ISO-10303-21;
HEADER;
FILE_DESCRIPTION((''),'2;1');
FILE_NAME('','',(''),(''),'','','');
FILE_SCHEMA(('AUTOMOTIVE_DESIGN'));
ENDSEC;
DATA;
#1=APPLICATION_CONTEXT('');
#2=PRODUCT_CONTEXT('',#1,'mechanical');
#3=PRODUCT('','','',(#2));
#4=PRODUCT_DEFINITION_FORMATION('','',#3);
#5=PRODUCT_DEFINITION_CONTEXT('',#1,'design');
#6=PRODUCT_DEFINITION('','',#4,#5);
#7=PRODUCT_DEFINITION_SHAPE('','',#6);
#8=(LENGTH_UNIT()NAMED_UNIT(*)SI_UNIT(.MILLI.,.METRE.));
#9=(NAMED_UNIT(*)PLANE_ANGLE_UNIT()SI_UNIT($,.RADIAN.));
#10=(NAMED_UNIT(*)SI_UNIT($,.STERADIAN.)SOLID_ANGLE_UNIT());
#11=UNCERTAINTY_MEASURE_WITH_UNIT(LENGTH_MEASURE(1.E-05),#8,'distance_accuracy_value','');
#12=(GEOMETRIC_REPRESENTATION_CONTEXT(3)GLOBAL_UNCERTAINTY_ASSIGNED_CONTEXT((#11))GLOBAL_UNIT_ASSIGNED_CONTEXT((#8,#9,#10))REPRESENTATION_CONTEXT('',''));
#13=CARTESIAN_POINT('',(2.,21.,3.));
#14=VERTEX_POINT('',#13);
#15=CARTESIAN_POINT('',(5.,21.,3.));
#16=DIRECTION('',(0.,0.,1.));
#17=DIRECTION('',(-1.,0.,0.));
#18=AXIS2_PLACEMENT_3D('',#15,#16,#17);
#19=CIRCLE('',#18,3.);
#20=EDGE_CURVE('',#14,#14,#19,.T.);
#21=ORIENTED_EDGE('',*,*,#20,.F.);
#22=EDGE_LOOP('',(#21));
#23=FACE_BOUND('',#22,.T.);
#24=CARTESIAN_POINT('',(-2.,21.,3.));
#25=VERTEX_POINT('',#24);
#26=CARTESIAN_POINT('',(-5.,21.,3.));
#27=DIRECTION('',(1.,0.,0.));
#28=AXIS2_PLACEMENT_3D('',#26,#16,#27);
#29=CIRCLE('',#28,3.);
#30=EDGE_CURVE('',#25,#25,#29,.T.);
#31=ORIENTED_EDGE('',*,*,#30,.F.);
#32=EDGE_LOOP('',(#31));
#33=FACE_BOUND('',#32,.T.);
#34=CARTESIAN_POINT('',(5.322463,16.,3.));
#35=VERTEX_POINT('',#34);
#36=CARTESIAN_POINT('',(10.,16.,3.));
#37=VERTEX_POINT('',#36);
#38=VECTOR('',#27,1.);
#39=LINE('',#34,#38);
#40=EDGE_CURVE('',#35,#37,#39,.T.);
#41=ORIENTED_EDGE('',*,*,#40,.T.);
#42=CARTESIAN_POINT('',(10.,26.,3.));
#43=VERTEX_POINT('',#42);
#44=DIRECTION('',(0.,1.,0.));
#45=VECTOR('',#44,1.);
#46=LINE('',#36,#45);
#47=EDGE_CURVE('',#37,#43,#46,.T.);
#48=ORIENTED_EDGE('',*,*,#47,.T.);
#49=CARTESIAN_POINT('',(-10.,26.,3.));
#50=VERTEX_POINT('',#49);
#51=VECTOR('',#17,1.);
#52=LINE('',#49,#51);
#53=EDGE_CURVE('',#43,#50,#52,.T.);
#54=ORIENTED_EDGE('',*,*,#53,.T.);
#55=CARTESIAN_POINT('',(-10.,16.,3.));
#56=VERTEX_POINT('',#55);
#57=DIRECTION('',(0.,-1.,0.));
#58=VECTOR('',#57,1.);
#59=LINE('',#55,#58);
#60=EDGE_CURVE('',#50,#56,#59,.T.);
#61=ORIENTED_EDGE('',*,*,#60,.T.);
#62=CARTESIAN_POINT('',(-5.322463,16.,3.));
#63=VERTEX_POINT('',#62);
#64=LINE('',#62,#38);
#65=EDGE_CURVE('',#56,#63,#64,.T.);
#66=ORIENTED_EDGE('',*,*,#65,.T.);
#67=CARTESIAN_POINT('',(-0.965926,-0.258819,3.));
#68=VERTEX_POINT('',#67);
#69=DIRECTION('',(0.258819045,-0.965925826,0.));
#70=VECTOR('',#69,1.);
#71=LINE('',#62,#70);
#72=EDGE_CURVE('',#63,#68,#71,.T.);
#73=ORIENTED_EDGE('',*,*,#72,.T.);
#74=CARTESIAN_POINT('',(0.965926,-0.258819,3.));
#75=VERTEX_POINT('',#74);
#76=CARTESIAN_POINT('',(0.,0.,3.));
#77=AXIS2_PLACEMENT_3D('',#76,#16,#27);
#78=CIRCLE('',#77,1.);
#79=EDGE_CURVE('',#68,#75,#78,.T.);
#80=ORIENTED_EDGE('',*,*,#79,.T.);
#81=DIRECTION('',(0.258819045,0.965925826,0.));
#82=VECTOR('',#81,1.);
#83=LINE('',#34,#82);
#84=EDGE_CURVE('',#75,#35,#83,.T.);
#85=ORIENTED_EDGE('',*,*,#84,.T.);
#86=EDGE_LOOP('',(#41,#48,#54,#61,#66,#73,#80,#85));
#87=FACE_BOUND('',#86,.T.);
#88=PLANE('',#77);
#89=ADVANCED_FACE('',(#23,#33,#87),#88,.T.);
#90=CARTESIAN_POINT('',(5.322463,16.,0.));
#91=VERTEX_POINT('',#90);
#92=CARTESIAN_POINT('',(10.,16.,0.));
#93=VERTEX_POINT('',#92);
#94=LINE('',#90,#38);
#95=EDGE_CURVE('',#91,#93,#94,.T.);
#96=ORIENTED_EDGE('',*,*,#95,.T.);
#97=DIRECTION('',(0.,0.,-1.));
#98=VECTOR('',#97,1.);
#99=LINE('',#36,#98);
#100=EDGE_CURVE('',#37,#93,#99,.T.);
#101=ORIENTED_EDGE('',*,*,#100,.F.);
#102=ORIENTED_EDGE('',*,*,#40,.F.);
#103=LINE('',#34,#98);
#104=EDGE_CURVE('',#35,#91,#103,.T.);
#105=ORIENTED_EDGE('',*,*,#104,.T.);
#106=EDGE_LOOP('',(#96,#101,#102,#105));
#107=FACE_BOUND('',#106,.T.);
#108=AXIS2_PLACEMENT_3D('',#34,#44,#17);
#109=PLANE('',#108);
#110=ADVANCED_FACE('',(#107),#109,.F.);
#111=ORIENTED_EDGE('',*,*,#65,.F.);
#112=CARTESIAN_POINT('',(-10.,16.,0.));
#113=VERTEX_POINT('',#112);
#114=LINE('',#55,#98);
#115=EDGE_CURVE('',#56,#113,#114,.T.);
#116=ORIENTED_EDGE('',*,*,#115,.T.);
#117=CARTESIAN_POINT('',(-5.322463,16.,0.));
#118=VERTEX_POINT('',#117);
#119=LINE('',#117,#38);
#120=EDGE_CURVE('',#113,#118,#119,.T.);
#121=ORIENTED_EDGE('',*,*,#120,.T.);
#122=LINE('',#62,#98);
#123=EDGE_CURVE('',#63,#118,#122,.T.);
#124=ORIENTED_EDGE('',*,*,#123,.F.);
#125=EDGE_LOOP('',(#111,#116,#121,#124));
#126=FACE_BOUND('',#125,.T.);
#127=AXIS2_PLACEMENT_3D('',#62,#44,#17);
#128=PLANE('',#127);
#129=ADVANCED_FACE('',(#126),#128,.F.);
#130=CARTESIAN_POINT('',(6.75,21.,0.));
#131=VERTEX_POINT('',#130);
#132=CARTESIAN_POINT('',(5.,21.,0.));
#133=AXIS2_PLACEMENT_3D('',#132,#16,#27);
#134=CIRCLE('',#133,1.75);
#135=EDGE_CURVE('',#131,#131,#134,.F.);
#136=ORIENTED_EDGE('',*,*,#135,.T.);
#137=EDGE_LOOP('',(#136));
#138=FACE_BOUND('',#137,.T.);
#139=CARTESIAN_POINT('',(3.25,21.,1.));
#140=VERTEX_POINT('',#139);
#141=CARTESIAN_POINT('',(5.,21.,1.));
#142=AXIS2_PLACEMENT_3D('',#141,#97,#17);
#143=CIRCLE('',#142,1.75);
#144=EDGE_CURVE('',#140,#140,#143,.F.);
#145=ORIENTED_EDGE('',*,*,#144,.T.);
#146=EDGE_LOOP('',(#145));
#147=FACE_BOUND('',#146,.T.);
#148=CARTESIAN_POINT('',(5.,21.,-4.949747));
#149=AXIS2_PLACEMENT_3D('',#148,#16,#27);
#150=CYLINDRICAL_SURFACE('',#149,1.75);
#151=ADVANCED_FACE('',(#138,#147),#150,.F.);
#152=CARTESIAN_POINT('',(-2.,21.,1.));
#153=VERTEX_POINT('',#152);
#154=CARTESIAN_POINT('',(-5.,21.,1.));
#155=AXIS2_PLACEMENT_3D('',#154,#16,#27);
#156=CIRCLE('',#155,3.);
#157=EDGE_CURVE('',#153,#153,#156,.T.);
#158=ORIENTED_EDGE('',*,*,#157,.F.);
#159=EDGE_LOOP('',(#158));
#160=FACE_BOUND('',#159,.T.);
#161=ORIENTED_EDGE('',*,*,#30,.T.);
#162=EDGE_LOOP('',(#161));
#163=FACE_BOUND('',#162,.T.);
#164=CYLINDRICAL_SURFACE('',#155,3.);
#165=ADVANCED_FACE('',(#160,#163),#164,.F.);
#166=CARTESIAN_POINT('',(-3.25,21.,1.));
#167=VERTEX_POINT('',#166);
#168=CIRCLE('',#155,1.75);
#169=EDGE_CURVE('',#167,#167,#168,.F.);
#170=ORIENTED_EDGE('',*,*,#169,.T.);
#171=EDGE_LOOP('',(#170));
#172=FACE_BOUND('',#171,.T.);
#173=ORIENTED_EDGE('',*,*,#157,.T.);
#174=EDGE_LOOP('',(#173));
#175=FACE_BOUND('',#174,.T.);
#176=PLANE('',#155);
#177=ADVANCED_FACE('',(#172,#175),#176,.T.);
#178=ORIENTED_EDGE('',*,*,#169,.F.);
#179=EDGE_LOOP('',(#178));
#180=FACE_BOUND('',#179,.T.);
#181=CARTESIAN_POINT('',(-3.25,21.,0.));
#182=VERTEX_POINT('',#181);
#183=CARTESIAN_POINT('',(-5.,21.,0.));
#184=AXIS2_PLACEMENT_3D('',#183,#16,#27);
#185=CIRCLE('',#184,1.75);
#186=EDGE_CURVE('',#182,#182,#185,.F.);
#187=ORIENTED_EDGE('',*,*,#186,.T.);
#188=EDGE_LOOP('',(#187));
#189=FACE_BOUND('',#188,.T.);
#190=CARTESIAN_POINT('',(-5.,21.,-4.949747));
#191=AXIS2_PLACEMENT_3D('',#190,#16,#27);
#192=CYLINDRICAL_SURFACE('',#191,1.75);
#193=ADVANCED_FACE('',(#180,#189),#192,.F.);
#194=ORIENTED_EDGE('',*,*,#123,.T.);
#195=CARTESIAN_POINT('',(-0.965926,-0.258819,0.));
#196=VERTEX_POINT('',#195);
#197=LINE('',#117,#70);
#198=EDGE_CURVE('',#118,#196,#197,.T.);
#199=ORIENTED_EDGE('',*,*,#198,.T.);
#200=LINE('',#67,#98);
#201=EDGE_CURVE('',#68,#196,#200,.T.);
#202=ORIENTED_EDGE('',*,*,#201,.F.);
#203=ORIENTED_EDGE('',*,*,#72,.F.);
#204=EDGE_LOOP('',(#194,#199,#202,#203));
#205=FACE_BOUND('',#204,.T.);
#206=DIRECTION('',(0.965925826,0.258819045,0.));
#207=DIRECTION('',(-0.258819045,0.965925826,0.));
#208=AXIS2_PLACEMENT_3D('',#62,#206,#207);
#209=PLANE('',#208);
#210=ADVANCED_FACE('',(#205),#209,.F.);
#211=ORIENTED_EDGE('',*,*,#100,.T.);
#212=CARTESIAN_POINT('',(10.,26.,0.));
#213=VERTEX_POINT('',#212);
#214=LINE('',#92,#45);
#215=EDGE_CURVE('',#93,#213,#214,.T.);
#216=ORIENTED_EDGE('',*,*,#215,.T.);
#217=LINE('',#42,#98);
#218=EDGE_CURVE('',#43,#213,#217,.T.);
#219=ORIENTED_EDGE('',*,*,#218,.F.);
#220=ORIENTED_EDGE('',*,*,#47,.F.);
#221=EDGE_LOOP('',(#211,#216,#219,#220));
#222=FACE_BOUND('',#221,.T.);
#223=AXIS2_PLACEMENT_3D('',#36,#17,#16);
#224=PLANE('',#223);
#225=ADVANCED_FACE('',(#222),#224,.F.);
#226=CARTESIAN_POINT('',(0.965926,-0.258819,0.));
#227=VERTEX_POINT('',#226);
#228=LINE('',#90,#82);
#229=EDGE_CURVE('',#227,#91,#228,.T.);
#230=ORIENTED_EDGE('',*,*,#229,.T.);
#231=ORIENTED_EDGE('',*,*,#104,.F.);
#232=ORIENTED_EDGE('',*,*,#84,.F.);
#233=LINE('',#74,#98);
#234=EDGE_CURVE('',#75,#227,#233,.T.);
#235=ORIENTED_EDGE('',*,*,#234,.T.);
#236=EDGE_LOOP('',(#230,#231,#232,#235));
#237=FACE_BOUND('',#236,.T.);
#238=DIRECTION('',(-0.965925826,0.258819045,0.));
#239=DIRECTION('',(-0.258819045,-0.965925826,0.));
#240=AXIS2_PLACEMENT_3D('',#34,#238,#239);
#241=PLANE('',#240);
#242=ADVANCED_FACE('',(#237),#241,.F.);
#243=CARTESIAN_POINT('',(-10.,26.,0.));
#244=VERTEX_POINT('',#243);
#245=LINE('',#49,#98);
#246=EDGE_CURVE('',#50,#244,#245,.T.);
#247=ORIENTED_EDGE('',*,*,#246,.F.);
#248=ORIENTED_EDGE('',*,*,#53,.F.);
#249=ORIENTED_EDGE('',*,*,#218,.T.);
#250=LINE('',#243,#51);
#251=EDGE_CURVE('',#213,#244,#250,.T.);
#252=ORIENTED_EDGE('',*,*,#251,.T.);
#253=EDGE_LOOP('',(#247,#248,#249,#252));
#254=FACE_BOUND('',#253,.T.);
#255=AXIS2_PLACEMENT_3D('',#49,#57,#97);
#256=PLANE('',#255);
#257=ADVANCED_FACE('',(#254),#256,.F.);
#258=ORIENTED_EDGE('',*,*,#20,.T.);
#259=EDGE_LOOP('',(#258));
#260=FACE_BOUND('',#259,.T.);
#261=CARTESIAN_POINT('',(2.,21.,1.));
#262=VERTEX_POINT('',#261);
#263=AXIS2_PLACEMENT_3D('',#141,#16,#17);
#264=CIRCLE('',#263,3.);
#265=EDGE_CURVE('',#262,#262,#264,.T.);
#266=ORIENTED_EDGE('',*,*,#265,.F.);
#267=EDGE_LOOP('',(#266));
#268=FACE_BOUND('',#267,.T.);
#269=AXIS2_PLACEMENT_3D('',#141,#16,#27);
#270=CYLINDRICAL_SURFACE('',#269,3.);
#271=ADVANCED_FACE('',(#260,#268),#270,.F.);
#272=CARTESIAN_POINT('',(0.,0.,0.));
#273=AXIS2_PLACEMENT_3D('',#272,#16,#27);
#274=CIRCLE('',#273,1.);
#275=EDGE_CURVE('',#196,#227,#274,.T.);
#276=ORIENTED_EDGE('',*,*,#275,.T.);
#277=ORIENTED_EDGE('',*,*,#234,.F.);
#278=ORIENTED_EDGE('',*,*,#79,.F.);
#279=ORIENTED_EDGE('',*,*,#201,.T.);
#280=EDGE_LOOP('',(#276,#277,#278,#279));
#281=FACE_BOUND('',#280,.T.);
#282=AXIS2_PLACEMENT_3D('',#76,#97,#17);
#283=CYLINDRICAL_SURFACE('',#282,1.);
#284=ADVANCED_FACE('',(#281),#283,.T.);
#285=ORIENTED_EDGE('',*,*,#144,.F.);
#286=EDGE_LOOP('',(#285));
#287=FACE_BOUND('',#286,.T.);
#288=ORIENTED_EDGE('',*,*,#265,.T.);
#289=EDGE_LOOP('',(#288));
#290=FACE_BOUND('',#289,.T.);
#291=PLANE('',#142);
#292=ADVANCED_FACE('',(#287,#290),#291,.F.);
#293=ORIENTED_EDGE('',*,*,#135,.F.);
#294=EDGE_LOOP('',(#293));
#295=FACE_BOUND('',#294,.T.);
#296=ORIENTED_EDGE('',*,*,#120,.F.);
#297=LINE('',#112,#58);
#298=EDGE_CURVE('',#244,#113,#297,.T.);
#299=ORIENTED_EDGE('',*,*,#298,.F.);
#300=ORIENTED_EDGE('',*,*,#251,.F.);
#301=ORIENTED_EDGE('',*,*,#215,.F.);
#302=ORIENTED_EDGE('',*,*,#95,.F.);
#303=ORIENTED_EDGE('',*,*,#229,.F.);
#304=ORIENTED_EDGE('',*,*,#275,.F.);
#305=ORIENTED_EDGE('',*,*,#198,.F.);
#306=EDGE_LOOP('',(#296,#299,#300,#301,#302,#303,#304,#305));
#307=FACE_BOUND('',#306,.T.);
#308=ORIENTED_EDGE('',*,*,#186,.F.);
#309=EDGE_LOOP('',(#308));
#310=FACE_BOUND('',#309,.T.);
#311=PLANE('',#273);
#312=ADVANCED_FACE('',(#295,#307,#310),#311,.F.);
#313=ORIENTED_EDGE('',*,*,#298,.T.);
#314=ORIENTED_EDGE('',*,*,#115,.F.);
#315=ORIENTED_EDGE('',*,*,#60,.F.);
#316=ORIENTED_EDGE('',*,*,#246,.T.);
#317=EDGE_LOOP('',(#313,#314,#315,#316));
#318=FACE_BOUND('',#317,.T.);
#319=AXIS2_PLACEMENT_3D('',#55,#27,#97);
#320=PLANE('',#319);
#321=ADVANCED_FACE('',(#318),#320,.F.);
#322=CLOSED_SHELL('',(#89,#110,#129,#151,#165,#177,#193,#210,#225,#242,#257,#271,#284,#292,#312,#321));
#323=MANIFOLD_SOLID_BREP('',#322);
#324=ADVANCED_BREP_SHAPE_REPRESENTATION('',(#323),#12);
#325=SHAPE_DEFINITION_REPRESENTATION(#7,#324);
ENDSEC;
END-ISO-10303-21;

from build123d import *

# Parameters (mm, degrees)
BOSS_EXTRUDE1_DEPTH = 3
SKETCH3_R           = 1.75
CUT_EXTRUDE1_DEPTH  = 3
SKETCH5_R           = 3
CUT_EXTRUDE2_DEPTH  = 2


with BuildPart() as part:
    # Sketch2 → Boss-Extrude1 (new body)
    with BuildSketch(Plane.XY):
        with BuildLine():
            Line((-5.322463259, 16), (-0.965925826, -0.258819045))
            ThreePointArc((-0.965925826, -0.258819045), (0, -1), (0.965925826, -0.258819045))
            Line((0.965925826, -0.258819045), (5.322463259, 16))
            Line((5.322463259, 16), (10, 16))
            Line((10, 16), (10, 26))
            Line((10, 26), (-10, 26))
            Line((-10, 26), (-10, 16))
            Line((-10, 16), (-5.322463259, 16))
        make_face()
    extrude(amount=BOSS_EXTRUDE1_DEPTH)

    # Sketch3 → Cut-Extrude1 (cut)
    with BuildSketch(Plane.XY.offset(3)):
        with Locations((-5, 21)):
            Circle(SKETCH3_R)
        with Locations((5, 21)):
            Circle(SKETCH3_R)
    extrude(amount=-CUT_EXTRUDE1_DEPTH, mode=Mode.SUBTRACT)

    # Sketch5 → Cut-Extrude2 (cut)
    with BuildSketch(Plane.XY.offset(3)):
        with Locations((-5, 21)):
            Circle(SKETCH5_R)
        with Locations(Location((5, 21, 0), (0, 0, 180))):
            Circle(SKETCH5_R)
    extrude(amount=-CUT_EXTRUDE2_DEPTH, mode=Mode.SUBTRACT)


solid = part.part
